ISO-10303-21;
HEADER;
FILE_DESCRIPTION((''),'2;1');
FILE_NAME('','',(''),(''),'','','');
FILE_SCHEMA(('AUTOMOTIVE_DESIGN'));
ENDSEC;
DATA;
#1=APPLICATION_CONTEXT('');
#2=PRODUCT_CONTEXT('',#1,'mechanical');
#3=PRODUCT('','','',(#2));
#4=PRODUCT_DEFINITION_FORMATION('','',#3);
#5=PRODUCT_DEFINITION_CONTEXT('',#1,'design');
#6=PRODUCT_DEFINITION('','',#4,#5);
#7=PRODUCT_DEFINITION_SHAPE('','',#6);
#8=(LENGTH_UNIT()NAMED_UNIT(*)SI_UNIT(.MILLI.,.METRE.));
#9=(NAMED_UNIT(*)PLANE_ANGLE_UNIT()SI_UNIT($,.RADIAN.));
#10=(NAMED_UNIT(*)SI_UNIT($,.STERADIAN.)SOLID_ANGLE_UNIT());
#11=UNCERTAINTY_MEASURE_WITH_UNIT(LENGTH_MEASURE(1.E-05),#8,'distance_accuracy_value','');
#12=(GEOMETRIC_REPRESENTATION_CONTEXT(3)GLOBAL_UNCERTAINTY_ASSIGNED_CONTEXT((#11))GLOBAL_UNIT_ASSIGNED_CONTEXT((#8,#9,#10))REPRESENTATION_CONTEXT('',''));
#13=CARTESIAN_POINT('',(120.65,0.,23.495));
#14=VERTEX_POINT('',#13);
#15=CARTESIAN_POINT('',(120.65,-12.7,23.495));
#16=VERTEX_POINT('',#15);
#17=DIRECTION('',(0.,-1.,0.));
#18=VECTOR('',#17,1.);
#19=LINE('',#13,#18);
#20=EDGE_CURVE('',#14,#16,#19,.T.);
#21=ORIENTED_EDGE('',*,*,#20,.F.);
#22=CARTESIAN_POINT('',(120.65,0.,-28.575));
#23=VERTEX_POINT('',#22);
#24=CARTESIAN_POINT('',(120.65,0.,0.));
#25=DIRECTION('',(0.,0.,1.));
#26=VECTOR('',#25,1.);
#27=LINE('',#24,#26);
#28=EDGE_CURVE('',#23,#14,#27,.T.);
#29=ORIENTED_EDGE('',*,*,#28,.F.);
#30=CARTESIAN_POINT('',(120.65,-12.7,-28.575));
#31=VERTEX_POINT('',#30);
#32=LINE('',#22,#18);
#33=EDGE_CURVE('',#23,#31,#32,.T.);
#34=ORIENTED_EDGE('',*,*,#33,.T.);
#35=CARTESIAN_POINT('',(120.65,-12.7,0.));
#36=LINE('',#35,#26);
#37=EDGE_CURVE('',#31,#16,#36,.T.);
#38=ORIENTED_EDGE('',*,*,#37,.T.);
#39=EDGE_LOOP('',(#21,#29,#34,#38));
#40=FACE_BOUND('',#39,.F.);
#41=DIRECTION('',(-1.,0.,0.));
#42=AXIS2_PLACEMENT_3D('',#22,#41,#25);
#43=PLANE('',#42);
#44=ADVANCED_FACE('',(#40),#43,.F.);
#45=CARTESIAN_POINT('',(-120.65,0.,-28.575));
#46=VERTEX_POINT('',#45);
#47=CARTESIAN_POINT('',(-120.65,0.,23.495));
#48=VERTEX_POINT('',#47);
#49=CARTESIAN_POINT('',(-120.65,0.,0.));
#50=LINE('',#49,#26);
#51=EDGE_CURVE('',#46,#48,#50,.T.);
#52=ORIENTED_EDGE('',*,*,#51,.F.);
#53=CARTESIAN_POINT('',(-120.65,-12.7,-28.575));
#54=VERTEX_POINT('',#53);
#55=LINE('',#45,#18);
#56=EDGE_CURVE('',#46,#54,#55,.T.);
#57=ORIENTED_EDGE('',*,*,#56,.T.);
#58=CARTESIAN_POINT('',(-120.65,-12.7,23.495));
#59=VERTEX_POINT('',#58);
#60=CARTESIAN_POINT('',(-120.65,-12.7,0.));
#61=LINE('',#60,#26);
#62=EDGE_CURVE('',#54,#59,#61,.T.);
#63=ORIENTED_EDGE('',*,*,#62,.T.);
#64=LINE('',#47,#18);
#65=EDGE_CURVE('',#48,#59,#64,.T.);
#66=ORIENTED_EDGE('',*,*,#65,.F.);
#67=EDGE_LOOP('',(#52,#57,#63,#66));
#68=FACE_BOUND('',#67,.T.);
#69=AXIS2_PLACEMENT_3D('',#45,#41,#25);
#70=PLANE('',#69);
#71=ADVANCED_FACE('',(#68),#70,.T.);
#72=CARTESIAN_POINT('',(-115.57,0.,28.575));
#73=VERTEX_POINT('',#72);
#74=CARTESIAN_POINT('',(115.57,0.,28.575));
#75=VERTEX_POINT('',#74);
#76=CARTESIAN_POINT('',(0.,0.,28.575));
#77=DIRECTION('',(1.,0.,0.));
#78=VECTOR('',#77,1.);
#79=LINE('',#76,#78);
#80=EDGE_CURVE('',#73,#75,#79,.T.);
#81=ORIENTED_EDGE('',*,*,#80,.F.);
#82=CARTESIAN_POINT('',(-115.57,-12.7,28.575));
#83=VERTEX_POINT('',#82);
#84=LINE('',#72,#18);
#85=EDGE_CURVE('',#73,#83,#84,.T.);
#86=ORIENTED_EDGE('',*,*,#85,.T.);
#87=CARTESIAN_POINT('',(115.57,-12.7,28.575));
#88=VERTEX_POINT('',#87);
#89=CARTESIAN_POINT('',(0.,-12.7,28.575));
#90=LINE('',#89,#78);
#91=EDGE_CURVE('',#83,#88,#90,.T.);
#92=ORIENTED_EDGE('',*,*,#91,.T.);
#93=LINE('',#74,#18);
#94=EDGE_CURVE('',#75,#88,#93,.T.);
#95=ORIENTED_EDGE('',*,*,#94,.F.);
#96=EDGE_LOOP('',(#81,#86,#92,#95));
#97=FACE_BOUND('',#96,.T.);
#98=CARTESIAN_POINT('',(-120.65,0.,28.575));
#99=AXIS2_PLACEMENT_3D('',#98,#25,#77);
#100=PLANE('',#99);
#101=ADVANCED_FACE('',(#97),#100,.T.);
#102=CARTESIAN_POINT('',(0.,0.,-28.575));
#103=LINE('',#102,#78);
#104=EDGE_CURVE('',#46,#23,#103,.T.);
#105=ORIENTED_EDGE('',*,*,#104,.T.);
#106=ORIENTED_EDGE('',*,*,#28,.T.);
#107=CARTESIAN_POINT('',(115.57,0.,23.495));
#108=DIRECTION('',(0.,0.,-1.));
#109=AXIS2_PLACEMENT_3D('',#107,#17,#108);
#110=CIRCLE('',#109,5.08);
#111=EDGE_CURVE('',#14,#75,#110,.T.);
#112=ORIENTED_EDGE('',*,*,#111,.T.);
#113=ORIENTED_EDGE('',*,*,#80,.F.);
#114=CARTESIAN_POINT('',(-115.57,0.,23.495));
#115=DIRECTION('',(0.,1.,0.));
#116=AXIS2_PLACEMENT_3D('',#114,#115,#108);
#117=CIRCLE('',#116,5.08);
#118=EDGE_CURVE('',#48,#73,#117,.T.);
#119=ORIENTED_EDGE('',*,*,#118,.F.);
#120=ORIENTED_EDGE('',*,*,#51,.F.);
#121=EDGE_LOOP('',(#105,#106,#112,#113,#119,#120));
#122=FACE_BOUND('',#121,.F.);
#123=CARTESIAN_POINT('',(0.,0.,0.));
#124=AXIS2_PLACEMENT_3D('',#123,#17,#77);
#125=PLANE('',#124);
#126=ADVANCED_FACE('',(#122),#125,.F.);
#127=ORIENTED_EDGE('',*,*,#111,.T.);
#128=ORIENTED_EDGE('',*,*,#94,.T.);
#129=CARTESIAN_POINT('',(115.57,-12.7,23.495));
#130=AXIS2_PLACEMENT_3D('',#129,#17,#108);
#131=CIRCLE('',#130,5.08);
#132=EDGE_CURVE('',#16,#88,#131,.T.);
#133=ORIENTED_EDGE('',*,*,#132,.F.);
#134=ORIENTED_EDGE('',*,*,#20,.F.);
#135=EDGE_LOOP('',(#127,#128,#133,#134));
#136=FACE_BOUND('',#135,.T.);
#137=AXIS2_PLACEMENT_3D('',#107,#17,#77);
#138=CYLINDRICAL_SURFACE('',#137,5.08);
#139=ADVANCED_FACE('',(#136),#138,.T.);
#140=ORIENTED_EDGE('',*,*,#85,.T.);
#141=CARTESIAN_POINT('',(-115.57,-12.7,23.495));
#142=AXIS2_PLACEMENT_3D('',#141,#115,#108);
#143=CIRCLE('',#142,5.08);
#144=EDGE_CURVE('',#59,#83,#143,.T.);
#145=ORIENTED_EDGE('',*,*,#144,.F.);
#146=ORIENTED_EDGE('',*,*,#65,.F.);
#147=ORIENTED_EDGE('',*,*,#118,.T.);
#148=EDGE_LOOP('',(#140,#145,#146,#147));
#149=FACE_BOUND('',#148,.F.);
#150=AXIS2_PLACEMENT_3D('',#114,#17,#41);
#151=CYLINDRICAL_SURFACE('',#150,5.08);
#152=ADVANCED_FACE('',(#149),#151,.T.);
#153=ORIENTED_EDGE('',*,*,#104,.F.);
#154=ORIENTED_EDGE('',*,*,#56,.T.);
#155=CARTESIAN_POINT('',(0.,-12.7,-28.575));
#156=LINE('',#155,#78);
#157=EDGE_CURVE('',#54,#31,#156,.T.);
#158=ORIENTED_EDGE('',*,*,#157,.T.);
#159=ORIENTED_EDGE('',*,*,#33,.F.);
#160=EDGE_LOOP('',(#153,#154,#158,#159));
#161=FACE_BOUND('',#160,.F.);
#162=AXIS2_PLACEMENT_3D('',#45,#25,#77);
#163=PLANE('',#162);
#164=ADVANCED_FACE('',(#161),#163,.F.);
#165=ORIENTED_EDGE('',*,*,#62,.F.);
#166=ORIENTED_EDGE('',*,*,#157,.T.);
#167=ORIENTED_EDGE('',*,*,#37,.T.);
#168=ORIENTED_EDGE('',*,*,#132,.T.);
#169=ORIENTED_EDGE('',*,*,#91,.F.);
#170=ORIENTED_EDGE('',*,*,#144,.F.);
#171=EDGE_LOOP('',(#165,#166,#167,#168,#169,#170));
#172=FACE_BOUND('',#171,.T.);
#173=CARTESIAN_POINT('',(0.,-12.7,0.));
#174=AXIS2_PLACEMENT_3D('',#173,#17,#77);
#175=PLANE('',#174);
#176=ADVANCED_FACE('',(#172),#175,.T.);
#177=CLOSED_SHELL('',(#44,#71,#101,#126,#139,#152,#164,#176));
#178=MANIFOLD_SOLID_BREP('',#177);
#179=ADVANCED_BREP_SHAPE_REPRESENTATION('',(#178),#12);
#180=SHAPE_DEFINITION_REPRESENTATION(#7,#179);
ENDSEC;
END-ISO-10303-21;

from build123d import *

# Parameters (mm, degrees)
F0_W     = 241.3
F0_H     = 57.15
F1_DEPTH = 12.7
F2_R     = 5.08


with BuildPart() as f1:
    # F0 (on Front) → F1 (new body)
    with BuildSketch(Plane.XZ):
        Rectangle(F0_W, F0_H)
    extrude(amount=F1_DEPTH)

    # F2
    f2_edges = [f1.edges().sort_by_distance(p)[0] for p in [
        (-120.65, -6.35, 28.575),
        (120.65, -6.35, 28.575),
    ]]
    fillet(f2_edges, radius=F2_R)


solid = f1.part
